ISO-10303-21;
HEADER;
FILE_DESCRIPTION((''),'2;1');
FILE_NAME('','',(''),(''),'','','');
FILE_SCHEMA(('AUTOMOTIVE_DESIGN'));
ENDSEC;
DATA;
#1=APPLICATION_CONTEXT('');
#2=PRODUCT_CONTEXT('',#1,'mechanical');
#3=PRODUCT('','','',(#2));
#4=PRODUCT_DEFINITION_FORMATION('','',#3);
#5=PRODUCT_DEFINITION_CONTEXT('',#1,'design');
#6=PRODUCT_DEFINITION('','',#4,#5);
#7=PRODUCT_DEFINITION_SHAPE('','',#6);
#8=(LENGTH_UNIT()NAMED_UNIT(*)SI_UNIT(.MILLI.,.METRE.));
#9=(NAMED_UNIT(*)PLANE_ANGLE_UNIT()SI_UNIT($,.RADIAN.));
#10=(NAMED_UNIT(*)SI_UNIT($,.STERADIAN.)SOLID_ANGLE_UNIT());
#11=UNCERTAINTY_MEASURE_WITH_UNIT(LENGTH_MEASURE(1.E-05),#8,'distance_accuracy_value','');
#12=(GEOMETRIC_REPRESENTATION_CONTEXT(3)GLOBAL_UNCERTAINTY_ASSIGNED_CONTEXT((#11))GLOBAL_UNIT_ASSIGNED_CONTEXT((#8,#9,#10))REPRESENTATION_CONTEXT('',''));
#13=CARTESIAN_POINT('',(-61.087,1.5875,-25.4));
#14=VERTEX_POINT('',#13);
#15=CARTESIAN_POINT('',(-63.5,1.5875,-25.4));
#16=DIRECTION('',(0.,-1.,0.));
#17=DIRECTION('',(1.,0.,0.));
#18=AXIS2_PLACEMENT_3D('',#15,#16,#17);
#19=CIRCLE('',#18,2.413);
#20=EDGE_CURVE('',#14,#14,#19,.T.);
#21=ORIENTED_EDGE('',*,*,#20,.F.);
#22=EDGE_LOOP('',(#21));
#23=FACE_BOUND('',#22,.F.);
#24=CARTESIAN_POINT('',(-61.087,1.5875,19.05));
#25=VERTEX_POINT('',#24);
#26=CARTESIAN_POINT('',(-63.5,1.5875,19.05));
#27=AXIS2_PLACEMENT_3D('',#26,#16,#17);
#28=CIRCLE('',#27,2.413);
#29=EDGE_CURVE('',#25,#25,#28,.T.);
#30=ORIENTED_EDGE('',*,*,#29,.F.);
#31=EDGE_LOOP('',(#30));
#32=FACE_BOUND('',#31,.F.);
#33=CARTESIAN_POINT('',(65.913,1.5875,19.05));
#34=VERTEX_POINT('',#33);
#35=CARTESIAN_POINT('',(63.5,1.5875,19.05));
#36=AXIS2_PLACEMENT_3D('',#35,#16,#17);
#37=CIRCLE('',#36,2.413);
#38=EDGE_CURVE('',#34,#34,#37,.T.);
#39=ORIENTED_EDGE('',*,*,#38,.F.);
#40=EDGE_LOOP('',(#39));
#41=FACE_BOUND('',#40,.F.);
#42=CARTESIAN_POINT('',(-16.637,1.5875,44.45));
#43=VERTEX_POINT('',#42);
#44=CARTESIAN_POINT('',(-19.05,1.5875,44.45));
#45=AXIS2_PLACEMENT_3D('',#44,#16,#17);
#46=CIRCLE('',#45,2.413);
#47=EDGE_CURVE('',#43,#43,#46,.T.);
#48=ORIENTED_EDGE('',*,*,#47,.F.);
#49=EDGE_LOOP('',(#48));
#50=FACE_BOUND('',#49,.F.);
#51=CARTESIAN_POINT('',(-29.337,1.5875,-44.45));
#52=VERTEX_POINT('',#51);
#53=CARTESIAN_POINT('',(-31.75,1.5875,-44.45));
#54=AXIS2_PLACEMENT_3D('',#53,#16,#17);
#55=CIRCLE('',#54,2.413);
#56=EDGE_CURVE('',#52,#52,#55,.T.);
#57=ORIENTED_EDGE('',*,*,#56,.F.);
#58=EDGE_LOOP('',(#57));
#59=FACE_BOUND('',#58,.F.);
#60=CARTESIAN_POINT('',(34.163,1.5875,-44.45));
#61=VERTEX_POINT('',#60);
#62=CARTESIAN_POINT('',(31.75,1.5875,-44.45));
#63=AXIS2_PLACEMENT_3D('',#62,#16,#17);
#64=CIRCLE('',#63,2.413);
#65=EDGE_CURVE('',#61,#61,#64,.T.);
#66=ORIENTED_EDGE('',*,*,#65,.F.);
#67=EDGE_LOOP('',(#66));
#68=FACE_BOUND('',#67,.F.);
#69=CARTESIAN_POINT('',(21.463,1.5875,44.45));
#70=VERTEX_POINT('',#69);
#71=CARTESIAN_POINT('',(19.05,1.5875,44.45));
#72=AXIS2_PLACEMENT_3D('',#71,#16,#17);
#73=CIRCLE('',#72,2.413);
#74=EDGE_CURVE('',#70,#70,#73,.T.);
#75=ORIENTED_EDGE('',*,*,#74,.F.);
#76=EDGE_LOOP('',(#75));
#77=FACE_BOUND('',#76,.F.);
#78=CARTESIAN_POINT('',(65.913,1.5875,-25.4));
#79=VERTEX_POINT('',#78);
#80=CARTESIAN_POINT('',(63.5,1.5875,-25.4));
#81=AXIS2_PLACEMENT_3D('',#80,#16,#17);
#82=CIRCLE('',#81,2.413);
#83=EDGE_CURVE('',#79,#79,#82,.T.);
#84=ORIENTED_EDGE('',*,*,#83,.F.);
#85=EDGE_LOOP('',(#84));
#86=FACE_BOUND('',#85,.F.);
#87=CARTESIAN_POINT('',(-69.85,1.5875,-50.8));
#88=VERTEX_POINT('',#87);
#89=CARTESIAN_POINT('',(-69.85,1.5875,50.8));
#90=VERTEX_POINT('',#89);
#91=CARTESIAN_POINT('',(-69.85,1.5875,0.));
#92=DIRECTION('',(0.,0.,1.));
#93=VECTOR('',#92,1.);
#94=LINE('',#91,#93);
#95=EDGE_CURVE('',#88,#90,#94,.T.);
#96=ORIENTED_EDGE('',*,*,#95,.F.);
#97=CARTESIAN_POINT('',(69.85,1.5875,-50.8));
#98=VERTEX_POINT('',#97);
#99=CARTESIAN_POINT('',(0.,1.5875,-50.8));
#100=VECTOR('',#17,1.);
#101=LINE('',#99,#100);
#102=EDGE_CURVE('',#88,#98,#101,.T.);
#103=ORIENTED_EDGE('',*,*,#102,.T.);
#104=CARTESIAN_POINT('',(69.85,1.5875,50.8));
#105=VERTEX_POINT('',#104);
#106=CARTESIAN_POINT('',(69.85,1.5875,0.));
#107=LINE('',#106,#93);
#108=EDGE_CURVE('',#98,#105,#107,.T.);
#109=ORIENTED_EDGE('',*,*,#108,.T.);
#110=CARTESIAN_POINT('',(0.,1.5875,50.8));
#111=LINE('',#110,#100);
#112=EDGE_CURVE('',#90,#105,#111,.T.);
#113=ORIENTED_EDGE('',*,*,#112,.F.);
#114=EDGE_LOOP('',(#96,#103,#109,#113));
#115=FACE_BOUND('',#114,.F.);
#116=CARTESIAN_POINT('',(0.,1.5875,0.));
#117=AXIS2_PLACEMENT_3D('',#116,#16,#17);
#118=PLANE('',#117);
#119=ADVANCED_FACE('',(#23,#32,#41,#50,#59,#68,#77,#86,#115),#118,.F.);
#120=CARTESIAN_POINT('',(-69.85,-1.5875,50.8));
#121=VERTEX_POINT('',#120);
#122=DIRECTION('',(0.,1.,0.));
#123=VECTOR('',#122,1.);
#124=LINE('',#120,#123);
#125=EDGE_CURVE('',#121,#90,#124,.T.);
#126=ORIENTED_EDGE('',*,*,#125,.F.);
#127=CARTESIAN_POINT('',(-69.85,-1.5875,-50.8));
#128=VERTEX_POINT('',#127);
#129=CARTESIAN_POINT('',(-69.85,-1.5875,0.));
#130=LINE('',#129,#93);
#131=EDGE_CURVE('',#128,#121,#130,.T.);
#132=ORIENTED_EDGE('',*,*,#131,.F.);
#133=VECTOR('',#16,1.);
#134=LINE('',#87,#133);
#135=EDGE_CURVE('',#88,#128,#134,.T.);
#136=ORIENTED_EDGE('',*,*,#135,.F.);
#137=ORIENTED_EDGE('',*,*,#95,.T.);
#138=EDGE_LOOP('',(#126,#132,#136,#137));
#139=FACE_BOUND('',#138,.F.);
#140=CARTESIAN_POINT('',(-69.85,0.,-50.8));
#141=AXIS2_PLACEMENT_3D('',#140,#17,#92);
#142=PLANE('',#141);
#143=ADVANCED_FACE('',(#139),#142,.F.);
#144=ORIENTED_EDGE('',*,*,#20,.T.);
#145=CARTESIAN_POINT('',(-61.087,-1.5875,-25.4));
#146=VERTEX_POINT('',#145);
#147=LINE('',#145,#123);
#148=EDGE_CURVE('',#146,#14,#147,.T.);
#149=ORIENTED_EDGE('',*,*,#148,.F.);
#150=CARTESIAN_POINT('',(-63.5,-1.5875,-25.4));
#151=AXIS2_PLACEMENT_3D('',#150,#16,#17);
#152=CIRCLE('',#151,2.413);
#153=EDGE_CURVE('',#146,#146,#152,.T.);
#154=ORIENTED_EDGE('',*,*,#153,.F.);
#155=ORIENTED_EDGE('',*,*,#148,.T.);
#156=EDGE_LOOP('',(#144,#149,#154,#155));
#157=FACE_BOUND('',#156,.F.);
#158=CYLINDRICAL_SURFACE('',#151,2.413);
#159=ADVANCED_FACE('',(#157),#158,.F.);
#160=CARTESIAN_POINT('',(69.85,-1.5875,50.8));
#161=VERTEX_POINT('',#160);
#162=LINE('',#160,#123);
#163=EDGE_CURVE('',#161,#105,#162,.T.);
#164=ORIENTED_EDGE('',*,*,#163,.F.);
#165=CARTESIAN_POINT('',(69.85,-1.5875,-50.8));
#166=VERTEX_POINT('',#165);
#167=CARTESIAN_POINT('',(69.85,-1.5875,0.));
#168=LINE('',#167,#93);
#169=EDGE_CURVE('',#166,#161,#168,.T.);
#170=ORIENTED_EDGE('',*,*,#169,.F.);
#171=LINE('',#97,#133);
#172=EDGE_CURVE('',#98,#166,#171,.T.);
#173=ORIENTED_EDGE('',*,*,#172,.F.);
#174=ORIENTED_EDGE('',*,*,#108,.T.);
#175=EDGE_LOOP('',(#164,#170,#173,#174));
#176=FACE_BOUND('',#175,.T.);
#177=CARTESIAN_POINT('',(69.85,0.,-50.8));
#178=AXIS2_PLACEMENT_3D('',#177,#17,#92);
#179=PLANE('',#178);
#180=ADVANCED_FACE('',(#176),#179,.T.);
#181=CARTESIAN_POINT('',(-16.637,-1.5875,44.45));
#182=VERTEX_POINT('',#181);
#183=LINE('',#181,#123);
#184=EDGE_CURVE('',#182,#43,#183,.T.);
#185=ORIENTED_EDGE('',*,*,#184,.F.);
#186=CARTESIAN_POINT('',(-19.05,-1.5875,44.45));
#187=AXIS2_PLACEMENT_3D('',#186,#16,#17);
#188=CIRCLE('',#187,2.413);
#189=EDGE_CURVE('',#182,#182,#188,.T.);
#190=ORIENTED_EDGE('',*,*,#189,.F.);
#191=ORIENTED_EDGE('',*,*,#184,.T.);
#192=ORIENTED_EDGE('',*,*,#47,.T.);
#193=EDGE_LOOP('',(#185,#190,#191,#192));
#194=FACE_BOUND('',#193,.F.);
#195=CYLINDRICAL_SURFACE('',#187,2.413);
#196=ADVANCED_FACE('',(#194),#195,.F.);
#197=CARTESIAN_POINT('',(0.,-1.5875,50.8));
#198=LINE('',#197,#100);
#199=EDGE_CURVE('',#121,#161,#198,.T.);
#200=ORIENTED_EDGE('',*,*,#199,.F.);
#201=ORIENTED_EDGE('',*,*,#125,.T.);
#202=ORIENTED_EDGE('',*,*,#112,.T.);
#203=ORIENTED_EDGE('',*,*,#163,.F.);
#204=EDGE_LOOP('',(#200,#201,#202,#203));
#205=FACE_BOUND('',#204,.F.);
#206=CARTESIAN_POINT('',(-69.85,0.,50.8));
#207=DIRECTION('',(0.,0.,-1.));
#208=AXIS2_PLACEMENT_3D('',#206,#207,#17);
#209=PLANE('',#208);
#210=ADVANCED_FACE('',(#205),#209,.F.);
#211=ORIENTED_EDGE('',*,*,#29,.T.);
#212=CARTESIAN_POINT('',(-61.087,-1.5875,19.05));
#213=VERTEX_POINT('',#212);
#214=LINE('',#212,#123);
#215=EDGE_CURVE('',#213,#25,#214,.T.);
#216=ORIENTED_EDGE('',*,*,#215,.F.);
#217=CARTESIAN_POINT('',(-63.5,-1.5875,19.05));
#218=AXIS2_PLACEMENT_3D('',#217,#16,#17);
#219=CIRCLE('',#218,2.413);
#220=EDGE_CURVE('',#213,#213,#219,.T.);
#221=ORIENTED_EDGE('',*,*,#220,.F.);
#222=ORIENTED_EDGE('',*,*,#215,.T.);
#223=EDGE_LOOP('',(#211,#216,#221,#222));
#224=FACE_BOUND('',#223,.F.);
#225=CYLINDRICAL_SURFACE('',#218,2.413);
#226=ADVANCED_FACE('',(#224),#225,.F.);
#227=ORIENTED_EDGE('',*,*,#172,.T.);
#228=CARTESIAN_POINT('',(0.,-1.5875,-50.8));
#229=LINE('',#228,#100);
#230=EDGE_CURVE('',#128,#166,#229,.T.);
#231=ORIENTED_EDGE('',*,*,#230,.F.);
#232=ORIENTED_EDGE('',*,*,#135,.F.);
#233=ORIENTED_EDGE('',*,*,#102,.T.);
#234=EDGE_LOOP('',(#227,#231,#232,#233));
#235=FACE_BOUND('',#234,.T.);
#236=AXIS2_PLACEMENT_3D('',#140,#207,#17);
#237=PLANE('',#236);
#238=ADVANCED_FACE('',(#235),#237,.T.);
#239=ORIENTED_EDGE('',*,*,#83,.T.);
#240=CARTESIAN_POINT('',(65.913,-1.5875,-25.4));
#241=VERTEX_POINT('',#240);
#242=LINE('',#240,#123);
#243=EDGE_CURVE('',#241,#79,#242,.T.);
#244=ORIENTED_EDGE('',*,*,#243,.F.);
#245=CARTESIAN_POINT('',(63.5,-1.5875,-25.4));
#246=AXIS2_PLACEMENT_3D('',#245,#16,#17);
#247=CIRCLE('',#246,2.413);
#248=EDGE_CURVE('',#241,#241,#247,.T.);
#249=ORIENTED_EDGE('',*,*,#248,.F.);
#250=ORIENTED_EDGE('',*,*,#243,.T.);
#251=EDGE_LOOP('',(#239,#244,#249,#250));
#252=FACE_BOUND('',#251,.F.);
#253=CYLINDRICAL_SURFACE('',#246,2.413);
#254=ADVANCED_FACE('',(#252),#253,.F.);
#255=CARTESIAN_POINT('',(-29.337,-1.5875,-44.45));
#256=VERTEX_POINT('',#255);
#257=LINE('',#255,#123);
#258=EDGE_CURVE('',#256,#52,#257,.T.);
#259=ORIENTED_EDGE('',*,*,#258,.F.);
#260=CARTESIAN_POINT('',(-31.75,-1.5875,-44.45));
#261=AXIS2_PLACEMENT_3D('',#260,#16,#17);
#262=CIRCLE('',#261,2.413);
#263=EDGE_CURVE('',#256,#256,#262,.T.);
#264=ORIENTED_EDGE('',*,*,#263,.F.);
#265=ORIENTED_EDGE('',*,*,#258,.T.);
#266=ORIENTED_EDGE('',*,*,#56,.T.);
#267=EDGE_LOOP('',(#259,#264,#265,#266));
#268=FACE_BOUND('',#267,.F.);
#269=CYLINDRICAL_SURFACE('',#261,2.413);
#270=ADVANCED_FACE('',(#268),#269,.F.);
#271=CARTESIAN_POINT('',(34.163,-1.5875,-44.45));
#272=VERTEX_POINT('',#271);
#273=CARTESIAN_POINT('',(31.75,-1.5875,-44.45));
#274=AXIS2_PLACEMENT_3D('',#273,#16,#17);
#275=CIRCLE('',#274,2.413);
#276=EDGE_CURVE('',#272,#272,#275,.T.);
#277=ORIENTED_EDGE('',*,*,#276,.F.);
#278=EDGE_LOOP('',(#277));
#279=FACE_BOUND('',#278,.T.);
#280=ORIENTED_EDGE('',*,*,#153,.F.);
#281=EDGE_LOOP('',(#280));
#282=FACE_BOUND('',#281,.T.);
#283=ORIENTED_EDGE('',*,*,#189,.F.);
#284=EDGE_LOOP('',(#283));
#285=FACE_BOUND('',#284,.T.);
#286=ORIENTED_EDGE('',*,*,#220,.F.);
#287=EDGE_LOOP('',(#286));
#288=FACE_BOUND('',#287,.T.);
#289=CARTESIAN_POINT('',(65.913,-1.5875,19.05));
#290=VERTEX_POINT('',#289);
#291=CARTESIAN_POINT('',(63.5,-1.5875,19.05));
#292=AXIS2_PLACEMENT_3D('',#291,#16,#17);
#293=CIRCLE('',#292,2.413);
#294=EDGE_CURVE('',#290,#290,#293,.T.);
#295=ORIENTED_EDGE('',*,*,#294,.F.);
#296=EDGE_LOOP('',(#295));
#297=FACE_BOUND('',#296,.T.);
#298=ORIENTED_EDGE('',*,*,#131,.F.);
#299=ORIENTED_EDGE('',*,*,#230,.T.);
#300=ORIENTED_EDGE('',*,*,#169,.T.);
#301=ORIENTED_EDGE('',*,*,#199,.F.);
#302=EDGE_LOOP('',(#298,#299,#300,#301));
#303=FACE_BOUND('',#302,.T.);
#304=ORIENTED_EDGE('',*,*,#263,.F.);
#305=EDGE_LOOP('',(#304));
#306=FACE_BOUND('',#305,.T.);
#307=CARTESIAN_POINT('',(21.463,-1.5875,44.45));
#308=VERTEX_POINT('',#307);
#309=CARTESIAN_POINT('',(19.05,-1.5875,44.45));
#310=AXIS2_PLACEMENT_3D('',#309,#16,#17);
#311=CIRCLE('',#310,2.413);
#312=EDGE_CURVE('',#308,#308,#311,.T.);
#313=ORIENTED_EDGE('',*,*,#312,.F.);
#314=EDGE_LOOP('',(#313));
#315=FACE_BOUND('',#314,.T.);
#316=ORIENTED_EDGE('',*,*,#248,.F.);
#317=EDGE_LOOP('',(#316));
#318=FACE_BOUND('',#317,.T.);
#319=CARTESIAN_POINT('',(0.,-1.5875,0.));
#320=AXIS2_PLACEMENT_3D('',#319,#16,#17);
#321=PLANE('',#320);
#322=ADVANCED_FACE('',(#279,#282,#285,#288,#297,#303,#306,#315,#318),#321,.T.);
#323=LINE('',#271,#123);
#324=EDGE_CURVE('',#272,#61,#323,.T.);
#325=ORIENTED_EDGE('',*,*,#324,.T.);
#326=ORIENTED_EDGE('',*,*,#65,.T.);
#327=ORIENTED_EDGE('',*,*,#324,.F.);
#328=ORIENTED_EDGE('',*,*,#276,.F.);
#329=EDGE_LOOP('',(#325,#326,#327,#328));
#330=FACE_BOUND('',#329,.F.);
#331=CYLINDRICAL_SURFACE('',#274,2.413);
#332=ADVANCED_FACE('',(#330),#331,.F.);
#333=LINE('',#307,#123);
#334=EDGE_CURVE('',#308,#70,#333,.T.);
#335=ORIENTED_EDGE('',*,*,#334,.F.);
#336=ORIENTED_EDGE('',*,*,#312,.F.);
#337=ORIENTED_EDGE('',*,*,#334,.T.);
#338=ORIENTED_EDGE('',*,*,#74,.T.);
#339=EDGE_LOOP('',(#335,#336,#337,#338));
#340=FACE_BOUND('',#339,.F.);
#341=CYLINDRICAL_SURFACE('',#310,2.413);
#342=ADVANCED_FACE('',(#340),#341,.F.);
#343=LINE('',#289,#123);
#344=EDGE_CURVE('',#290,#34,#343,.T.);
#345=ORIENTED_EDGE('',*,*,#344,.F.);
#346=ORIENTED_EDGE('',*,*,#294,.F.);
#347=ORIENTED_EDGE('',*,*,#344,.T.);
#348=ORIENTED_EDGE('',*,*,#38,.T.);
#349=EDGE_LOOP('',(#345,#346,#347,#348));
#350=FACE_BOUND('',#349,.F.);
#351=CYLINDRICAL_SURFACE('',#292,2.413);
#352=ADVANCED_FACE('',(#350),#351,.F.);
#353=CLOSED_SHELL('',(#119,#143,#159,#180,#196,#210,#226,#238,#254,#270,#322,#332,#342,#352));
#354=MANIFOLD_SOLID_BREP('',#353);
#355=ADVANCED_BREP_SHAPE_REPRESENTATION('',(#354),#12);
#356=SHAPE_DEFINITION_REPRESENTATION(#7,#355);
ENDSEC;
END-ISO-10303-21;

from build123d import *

# Parameters (mm, degrees)
F0_W      = 139.7
F0_H      = 101.6
F1_DEPTH  = 1.5875
F2_R      = 2.413
F3_DEPTH  = 3.175
F4_R      = 2.413
F5_DEPTH  = 3.175
F6_R      = 2.413
F8_DEPTH  = 3.175
F7_R      = 2.413
F9_DEPTH  = 3.175
F10_R     = 2.413
F12_DEPTH = 3.175
F11_R     = 2.413
F13_DEPTH = 3.175


with BuildPart() as f1:
    # F0 (on Front) → F1 (new body, symmetric)
    with BuildSketch(Plane.XZ):
        Rectangle(F0_W, F0_H)
    extrude(amount=F1_DEPTH, both=True)

    # F2 (on face) → F3 (cut)
    with BuildSketch(Plane.XZ.offset(1.5875)):
        with Locations((-19.05, 44.45)):
            Circle(F2_R)
        with Locations((19.05, 44.45)):
            Circle(F2_R)
    extrude(amount=-F3_DEPTH, mode=Mode.SUBTRACT)

    # F4 (on face) → F5 (cut)
    with BuildSketch(Plane.XZ.offset(1.5875)):
        with Locations((63.5, 19.05)):
            Circle(F4_R)
        with Locations((63.5, -25.4)):
            Circle(F4_R)
    extrude(amount=-F5_DEPTH, mode=Mode.SUBTRACT)

    # F6 (on face) → F8 (cut)
    with BuildSketch(Plane.XZ.offset(1.5875)):
        with Locations((-31.75, -44.45)):
            Circle(F6_R)
    extrude(amount=-F8_DEPTH, mode=Mode.SUBTRACT)

    # F7 (on face) → F9 (cut)
    with BuildSketch(Plane.XZ.offset(1.5875)):
        with Locations((31.75, -44.45)):
            Circle(F7_R)
    extrude(amount=-F9_DEPTH, mode=Mode.SUBTRACT)

    # F10 (on face) → F12 (cut)
    with BuildSketch(Plane.XZ.offset(1.5875)):
        with Locations((-63.5, 19.05)):
            Circle(F10_R)
    extrude(amount=-F12_DEPTH, mode=Mode.SUBTRACT)

    # F11 (on face) → F13 (cut)
    with BuildSketch(Plane.XZ.offset(1.5875)):
        with Locations((-63.5, -25.4)):
            Circle(F11_R)
    extrude(amount=-F13_DEPTH, mode=Mode.SUBTRACT)


solid = f1.part
